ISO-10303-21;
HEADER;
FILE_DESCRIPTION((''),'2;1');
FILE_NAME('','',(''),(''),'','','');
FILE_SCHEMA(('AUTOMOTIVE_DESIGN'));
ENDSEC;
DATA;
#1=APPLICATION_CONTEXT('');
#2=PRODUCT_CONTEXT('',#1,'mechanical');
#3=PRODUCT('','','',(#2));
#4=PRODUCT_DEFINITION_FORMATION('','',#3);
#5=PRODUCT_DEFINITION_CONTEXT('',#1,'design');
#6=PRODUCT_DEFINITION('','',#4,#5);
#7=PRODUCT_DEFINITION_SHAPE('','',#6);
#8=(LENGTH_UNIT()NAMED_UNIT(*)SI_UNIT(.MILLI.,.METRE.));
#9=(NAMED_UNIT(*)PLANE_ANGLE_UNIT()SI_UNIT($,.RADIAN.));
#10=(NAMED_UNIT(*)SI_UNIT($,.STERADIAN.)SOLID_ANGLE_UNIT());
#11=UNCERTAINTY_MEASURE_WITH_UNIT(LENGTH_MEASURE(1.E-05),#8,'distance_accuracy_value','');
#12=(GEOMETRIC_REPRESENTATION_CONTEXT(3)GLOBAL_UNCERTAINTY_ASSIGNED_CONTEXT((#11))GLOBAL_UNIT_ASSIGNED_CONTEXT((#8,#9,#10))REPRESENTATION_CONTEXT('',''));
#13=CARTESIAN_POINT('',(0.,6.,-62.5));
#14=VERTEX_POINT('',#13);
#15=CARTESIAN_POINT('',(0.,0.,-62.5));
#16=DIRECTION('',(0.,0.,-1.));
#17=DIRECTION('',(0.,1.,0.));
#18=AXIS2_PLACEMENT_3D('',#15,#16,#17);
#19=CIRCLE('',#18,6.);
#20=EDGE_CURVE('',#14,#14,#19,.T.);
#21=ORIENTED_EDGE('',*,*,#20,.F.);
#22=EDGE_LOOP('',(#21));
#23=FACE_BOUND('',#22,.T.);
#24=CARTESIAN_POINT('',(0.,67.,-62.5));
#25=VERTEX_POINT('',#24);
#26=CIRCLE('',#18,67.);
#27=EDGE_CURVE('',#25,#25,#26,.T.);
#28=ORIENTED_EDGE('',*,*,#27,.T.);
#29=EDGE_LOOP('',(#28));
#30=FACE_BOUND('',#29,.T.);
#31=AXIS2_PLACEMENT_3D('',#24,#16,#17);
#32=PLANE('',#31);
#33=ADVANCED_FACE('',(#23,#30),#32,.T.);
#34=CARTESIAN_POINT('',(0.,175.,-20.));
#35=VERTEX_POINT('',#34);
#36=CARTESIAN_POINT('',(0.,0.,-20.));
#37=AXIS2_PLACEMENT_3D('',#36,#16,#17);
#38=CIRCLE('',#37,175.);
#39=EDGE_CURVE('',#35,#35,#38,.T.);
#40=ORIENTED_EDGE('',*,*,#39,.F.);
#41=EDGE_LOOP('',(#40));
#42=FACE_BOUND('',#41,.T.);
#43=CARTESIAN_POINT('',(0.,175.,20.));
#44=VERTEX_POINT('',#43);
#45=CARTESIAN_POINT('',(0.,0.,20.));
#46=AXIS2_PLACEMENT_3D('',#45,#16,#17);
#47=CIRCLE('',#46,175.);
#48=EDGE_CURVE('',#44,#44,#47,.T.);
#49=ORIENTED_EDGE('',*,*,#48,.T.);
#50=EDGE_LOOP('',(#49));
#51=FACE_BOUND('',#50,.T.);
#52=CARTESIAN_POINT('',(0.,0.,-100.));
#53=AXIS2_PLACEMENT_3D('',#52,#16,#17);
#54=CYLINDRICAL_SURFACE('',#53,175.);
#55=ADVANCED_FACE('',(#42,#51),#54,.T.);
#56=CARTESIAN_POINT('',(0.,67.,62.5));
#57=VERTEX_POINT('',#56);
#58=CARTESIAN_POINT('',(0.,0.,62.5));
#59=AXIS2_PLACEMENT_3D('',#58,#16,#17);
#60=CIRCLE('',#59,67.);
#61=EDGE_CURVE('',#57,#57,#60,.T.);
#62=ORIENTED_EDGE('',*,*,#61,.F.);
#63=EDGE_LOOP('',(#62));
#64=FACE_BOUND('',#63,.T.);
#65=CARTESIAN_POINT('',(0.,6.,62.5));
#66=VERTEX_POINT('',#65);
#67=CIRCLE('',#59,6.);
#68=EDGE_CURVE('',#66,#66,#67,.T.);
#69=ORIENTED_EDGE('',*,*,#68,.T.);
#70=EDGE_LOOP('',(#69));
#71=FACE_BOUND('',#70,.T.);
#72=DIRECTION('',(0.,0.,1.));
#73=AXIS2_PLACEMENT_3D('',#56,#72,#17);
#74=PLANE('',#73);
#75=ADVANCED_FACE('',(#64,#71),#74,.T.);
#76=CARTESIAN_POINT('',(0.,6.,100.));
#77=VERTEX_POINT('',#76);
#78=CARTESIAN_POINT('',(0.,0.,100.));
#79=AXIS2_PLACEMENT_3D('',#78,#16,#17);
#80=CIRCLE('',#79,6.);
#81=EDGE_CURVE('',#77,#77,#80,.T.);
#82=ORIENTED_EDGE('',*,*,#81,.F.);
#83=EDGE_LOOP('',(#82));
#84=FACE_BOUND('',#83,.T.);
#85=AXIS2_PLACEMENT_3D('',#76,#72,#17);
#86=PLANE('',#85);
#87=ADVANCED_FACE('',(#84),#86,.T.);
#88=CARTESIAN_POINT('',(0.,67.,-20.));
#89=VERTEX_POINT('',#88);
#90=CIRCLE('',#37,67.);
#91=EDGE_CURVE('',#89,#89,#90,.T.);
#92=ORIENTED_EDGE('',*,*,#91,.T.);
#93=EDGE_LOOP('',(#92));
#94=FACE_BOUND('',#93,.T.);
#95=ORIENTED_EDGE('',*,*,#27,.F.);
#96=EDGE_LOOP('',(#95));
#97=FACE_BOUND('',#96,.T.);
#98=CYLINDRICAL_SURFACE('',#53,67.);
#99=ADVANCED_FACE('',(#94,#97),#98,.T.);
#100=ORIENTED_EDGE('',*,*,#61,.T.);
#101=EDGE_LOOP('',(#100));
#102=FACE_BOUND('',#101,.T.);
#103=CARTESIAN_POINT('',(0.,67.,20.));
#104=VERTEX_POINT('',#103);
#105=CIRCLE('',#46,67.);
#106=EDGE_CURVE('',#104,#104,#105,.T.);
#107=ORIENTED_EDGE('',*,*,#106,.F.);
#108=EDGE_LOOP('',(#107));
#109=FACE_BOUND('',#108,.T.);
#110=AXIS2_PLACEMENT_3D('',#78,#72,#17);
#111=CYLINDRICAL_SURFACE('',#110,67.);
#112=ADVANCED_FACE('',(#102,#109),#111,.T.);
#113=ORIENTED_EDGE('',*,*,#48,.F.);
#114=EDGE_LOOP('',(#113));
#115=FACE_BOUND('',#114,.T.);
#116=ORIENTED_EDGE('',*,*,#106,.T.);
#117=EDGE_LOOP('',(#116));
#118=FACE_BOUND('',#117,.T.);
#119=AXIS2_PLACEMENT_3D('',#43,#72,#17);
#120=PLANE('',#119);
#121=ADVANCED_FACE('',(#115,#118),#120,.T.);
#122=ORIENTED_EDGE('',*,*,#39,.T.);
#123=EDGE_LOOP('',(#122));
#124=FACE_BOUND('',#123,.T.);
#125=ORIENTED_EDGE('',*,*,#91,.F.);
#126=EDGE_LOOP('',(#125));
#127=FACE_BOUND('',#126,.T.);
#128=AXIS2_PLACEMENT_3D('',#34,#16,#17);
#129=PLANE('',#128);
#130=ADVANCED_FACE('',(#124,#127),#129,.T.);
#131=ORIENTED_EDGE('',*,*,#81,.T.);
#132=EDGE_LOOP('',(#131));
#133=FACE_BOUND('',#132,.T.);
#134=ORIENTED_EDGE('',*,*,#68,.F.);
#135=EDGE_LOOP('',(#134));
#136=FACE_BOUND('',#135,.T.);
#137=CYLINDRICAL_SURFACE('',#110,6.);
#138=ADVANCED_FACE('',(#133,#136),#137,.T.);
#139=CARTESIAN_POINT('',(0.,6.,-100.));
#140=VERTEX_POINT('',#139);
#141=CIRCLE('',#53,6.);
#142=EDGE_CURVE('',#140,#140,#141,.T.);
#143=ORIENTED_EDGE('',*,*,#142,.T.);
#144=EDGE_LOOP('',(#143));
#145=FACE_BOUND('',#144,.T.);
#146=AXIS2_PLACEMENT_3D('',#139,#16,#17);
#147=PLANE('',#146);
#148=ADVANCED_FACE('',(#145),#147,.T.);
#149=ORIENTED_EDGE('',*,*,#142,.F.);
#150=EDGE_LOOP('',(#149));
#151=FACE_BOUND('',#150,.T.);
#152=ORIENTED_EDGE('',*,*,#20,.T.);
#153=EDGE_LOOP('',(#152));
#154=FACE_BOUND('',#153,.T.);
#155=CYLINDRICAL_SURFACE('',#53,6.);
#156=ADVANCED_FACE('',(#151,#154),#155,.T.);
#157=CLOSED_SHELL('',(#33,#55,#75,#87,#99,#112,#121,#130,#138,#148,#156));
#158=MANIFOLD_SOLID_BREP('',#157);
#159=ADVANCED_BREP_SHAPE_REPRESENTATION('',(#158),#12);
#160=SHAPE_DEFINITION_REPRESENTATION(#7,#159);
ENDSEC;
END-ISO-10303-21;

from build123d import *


with BuildPart() as part:
    # 草图3 → 旋转1 (revolve)
    with BuildSketch(Plane(origin=(0, 0, 0), x_dir=(0, 0, -1), z_dir=(1, 0, 0))):
        Polygon((0, 0), (0, 175), (20, 175), (20, 67), (62.5, 67), (62.5, 6), (100, 6), (100, 0), align=None)
    revolve_1 = revolve(axis=Axis((0, 0, -100), (0, 0, 1)))

    # 镜向1: 旋转1 across plane
    add(revolve_1.mirror(Plane.XY))


solid = part.part
